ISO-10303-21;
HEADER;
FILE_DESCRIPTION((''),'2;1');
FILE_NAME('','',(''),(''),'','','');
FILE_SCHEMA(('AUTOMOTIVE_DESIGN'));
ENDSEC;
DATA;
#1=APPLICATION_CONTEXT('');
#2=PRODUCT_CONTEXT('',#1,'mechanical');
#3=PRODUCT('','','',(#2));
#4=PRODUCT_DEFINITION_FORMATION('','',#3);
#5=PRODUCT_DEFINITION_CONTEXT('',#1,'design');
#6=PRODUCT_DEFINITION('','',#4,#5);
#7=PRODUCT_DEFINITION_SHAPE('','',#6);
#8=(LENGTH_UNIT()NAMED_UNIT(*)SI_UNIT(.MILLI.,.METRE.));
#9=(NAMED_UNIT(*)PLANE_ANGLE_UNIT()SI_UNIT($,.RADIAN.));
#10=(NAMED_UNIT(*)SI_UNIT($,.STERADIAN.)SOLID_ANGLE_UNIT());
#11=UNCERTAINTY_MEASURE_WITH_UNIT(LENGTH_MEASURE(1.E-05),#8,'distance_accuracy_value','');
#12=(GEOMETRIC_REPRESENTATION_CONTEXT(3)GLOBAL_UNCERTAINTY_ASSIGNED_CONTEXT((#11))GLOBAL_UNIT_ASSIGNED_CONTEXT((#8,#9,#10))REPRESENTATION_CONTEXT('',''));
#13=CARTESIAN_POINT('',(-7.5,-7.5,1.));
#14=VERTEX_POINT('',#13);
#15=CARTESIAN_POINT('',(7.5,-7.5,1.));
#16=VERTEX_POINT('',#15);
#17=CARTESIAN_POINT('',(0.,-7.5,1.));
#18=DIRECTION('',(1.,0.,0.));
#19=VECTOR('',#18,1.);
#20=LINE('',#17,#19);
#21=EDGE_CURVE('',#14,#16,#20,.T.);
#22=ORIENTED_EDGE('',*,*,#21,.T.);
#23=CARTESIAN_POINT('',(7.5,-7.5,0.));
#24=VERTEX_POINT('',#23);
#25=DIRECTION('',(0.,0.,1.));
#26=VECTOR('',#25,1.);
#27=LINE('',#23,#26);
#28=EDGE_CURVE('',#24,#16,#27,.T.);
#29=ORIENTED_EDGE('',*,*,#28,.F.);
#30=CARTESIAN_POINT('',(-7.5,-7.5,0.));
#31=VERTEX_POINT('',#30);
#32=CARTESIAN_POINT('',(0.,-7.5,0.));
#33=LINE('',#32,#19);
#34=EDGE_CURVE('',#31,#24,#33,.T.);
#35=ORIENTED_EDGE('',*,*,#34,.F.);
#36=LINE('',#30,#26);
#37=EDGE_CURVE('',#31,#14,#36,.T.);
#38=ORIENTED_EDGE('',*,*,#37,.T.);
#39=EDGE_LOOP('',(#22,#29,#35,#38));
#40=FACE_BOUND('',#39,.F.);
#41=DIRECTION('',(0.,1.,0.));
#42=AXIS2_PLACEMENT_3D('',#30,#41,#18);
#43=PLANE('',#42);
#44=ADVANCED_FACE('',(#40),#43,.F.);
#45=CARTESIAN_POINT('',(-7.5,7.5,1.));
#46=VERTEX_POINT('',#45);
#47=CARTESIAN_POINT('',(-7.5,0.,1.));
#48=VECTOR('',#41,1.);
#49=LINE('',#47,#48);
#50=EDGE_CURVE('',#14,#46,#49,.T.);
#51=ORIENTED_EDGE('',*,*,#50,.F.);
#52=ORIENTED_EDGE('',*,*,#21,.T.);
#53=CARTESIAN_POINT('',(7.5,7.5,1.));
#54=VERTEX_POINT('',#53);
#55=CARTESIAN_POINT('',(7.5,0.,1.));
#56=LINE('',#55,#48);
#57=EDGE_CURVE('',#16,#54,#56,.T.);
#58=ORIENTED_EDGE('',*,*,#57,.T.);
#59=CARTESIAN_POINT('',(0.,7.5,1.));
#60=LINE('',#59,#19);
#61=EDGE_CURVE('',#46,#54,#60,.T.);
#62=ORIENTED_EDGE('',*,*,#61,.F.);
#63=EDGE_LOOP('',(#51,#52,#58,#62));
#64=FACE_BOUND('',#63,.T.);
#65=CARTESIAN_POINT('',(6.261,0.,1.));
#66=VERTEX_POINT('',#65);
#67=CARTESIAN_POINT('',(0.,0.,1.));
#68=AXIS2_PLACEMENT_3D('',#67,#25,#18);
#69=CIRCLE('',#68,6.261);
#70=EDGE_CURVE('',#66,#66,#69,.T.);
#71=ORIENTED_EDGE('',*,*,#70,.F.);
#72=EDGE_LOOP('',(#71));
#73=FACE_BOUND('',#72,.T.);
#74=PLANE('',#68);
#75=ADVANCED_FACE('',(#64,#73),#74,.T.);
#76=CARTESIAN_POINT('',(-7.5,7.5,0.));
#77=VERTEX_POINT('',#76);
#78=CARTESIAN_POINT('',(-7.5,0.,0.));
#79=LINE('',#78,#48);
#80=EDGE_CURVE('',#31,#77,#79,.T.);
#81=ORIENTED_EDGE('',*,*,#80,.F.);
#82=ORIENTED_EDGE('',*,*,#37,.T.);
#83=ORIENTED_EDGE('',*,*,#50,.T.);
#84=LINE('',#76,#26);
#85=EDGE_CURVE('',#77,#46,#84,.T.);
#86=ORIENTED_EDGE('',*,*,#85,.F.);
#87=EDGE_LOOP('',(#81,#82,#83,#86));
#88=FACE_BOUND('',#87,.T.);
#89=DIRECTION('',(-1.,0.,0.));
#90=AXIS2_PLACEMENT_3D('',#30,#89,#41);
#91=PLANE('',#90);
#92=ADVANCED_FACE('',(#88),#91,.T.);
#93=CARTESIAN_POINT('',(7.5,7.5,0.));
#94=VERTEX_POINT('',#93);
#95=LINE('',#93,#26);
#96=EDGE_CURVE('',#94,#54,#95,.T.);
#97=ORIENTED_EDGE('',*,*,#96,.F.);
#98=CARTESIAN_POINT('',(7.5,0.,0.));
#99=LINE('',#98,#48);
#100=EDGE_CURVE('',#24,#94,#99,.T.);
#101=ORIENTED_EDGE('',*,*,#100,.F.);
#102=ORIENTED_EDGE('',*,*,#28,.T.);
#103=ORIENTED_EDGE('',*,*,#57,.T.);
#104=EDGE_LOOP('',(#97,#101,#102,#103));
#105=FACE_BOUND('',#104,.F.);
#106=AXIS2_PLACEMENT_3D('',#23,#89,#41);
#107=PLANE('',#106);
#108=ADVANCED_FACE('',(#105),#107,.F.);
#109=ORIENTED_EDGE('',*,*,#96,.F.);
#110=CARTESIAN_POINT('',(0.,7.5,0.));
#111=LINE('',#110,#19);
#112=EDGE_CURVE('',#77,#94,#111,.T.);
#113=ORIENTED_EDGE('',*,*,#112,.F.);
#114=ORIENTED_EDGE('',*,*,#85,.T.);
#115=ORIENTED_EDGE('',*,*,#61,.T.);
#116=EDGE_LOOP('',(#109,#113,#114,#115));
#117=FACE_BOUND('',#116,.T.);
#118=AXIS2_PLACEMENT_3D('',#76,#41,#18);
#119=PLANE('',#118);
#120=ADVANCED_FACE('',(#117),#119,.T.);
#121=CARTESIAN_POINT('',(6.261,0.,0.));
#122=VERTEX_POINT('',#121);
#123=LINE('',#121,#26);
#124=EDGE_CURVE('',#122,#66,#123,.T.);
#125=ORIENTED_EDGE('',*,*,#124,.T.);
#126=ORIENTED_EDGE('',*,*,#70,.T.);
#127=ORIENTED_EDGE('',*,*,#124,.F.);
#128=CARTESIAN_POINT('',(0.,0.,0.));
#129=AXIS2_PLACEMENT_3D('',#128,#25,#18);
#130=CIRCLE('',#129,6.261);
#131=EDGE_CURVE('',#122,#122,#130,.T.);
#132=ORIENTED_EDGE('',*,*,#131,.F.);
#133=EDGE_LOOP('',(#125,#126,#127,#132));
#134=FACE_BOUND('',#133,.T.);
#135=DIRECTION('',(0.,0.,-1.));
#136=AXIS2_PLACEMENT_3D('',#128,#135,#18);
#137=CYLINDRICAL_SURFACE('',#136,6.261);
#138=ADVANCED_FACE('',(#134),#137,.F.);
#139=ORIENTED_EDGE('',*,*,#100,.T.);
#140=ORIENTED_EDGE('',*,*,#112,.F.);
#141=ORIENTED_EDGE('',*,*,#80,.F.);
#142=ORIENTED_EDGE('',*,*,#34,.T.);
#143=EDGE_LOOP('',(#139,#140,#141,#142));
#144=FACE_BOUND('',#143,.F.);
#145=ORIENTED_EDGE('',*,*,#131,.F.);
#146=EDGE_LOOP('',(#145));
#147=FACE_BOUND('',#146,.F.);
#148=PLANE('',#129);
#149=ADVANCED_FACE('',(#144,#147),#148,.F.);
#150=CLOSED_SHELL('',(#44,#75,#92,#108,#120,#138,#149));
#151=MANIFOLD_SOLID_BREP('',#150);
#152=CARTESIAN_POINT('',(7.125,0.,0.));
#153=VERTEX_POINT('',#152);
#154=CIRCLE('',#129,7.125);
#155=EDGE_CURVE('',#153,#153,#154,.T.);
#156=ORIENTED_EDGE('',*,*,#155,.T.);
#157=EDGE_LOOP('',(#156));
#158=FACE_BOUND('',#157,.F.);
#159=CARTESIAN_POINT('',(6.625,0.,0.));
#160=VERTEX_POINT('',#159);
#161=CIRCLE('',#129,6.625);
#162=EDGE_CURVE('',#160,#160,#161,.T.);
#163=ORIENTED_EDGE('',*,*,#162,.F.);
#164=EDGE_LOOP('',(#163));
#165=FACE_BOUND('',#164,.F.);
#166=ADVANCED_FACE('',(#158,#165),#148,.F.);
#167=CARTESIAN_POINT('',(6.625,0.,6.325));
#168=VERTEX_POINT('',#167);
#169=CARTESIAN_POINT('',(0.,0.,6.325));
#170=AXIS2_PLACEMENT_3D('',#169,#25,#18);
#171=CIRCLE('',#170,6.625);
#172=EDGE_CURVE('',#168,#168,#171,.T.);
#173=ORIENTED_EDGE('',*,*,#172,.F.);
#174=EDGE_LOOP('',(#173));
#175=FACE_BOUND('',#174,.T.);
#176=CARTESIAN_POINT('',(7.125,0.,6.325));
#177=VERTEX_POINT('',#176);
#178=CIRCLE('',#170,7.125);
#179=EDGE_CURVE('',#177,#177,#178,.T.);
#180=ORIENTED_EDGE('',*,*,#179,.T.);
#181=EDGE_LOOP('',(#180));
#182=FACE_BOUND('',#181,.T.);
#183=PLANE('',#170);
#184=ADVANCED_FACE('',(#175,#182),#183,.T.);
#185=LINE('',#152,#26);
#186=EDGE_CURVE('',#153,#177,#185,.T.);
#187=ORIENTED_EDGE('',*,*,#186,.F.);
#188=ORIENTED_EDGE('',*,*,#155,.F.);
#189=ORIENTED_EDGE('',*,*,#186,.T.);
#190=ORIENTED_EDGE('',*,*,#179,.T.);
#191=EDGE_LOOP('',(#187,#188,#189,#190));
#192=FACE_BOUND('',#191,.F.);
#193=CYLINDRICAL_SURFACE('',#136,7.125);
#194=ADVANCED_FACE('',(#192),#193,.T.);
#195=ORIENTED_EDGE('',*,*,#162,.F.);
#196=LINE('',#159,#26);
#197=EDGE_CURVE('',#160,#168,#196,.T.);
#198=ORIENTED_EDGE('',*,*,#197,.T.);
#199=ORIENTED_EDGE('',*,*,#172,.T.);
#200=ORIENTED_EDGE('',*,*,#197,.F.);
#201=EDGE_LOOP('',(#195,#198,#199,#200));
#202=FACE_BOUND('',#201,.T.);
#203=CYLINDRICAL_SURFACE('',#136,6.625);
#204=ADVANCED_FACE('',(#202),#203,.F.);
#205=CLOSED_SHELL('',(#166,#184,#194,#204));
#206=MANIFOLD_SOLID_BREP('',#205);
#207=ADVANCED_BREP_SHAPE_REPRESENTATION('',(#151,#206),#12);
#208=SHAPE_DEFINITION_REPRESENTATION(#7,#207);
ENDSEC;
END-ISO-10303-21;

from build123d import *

# Parameters (mm, degrees)
F0_W     = 15
F0_H     = 15
F0_R     = 6.261
F1_DEPTH = 1
F2_R     = 7.125
F2_R_2   = 6.625
F3_DEPTH = 6.325


with BuildPart() as f1:
    # F0 (on Top) → F1 (new body)
    with BuildSketch(Plane.XY):
        Rectangle(F0_W, F0_H)
        Circle(F0_R, mode=Mode.SUBTRACT)
    extrude(amount=F1_DEPTH)


with BuildPart() as f3:
    # F2 (on Top) → F3 (new body)
    with BuildSketch(Plane.XY):
        Circle(F2_R)
        Circle(F2_R_2, mode=Mode.SUBTRACT)
    extrude(amount=F3_DEPTH)


solid = Compound([f1.part, f3.part])
